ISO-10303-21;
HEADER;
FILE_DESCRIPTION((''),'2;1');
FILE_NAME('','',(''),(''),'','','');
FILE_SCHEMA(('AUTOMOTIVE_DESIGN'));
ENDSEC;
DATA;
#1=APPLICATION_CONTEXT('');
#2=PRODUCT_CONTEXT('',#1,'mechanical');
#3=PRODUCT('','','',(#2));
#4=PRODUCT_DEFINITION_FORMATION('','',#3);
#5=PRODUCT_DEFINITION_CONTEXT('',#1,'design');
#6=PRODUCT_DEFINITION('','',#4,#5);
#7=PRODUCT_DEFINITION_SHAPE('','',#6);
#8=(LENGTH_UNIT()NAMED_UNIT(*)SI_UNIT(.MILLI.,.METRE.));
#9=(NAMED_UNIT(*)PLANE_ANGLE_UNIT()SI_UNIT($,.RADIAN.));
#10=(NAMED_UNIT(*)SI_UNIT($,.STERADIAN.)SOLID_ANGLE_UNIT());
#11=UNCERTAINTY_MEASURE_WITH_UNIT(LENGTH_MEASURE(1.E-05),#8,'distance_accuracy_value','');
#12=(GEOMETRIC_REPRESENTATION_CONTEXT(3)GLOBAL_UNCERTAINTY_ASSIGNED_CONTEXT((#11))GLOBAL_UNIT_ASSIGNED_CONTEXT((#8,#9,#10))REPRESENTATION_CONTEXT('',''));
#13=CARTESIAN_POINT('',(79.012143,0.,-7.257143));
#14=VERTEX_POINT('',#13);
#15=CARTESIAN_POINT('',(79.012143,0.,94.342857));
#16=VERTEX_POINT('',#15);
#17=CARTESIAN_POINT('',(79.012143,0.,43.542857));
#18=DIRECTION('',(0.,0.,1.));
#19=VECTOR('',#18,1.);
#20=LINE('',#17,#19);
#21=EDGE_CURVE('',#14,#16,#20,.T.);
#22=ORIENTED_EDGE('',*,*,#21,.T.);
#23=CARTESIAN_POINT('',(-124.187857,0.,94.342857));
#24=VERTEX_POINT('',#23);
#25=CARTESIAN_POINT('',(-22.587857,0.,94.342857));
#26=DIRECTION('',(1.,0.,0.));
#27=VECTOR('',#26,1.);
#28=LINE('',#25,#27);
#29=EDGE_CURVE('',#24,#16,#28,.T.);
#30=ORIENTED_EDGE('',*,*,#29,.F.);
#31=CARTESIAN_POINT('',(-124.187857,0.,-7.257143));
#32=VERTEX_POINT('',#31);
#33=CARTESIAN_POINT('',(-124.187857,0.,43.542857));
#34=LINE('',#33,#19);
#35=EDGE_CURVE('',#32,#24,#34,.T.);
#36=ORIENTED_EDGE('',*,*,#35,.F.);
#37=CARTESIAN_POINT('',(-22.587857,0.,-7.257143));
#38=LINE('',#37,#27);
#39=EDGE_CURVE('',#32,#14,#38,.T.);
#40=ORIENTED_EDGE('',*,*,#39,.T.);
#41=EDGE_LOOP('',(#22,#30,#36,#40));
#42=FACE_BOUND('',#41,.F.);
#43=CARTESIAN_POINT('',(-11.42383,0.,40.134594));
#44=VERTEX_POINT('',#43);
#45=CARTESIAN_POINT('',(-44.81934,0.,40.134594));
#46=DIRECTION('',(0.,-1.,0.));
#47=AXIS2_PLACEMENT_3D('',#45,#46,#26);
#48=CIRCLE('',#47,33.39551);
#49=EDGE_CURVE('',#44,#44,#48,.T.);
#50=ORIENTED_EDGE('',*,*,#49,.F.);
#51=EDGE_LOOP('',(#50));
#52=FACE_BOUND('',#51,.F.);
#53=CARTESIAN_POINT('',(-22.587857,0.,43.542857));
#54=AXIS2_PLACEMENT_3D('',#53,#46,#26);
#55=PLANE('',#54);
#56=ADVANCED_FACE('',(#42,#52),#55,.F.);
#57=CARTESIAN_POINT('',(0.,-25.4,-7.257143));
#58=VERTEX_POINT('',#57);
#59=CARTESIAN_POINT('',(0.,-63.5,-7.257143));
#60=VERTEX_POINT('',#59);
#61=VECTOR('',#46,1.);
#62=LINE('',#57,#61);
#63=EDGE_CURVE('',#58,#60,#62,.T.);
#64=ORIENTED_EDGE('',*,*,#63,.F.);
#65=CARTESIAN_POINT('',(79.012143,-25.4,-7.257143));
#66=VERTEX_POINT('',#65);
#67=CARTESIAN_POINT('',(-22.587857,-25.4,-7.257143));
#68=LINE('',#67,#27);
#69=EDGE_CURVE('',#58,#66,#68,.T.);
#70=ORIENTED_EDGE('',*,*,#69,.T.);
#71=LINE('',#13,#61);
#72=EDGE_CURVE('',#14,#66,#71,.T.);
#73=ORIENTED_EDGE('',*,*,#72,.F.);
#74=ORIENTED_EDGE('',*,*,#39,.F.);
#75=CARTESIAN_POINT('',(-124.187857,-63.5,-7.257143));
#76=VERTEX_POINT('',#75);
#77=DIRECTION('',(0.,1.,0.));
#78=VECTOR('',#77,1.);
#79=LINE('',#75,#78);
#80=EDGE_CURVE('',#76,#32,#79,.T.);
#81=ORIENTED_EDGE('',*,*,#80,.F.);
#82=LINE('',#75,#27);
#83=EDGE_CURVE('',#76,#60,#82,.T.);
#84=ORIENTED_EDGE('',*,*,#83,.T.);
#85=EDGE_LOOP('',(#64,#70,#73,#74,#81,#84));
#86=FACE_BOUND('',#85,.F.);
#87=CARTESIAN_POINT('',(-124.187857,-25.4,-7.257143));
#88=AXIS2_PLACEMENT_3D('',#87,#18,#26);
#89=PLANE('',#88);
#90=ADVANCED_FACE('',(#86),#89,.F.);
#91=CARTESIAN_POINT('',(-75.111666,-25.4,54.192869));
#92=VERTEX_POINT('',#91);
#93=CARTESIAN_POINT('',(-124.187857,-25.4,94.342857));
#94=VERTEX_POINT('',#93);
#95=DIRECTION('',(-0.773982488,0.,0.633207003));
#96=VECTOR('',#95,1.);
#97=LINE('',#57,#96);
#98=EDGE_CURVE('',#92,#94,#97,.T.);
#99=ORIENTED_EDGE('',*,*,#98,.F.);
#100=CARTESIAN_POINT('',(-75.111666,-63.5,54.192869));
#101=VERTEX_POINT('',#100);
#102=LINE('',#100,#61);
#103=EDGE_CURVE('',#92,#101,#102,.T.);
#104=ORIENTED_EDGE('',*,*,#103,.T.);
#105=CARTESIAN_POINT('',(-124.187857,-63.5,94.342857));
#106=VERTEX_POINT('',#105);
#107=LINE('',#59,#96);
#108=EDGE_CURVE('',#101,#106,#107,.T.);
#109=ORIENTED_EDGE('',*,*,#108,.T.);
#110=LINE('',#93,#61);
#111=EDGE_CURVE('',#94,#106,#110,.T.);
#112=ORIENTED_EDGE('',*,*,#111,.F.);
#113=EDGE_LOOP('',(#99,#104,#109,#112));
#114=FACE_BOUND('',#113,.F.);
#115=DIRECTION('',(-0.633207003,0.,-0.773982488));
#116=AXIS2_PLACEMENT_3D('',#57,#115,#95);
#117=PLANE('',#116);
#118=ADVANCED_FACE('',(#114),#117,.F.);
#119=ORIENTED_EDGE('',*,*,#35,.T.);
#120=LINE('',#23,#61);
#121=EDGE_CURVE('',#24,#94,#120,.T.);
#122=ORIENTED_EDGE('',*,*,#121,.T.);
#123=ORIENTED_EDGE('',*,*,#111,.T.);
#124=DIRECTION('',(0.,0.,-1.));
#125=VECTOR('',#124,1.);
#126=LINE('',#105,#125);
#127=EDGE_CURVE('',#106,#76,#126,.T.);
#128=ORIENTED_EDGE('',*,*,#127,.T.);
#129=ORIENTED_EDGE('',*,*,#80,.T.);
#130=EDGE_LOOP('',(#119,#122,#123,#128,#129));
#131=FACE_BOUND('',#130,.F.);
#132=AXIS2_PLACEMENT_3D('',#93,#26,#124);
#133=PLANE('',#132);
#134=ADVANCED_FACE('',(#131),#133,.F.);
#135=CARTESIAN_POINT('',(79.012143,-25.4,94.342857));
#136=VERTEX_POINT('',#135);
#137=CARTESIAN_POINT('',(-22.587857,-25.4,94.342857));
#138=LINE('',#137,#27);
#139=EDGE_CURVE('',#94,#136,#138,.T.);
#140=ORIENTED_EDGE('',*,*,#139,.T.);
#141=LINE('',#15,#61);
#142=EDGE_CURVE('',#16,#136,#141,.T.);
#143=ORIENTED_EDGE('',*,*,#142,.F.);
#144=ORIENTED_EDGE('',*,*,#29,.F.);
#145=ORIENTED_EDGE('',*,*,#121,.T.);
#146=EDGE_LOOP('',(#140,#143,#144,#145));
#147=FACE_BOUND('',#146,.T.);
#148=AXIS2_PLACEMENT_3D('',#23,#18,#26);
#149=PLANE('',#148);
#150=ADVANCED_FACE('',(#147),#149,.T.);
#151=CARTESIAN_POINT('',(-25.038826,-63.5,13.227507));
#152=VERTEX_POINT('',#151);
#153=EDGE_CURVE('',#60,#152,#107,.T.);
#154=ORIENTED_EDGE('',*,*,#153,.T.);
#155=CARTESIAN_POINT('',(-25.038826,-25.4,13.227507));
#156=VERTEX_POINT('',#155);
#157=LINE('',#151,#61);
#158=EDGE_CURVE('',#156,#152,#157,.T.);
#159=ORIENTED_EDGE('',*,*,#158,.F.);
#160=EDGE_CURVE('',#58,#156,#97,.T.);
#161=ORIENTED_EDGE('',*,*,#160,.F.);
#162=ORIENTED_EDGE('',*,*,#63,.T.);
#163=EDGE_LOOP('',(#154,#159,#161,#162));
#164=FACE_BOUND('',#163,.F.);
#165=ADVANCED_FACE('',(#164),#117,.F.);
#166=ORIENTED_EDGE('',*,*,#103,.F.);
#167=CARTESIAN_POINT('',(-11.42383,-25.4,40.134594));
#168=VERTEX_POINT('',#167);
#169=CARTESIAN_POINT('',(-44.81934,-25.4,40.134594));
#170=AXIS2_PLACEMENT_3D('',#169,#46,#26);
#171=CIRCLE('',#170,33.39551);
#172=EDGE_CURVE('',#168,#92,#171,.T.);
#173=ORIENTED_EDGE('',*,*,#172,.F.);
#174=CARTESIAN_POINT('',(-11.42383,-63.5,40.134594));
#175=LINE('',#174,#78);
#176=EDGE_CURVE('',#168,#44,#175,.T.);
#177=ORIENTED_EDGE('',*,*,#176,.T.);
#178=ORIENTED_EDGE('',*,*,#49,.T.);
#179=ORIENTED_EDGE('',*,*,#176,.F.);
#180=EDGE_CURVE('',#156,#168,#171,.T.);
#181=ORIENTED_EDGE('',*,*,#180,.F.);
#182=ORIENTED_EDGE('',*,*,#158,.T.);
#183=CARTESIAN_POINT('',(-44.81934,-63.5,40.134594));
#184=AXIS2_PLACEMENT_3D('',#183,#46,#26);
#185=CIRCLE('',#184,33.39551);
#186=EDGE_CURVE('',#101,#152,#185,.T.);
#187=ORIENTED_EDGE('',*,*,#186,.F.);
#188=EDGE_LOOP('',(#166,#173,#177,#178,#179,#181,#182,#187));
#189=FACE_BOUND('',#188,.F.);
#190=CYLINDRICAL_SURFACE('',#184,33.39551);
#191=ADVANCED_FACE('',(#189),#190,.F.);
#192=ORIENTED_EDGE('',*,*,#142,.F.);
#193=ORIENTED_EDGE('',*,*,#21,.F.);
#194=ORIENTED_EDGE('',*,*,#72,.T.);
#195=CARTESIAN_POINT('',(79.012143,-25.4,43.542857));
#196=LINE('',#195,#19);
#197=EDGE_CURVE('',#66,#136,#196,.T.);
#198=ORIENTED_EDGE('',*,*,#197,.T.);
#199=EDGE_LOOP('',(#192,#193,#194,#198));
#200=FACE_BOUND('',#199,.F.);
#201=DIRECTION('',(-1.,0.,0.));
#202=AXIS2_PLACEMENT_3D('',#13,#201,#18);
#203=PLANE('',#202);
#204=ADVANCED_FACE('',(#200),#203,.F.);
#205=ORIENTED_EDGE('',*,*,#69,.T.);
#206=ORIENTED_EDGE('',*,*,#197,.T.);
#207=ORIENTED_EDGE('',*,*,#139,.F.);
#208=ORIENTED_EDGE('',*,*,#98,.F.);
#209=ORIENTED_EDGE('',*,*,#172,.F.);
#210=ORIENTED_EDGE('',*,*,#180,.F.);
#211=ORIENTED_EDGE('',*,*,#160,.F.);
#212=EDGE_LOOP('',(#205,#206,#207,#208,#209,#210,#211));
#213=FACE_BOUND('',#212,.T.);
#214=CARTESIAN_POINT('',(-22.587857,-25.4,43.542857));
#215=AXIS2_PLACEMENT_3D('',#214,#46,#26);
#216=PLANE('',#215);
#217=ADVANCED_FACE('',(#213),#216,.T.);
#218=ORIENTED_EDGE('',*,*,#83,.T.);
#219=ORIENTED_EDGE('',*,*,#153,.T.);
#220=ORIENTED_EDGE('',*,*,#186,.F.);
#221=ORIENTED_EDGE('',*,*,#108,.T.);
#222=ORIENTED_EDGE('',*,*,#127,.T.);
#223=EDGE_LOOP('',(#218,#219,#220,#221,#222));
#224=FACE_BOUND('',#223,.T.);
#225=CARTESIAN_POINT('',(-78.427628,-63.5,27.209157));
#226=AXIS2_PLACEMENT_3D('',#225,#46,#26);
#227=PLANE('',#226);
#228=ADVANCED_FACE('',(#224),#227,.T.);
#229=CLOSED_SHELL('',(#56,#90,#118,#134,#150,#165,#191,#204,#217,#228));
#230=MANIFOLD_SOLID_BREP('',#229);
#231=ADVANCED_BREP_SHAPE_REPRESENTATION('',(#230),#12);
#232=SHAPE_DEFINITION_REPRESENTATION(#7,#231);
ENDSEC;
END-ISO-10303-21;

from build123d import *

# Parameters (mm, degrees)
F0_W     = 203.2
F0_H     = 101.6
F1_DEPTH = 25.4
F3_DEPTH = 38.1
F4_R     = 33.39551
F5_DEPTH = 134.62


with BuildPart() as f1:
    # F0 (on Front) → F1 (new body)
    with BuildSketch(Plane.XZ):
        with Locations((-22.587857, 43.542857)):
            Rectangle(F0_W, F0_H)
    extrude(amount=F1_DEPTH)

    # F2 (on face) → F3 (join)
    with BuildSketch(Plane.XZ.offset(25.4)):
        Polygon((0, -7.257143), (-124.187857, 94.342857), (-124.187857, -7.257143), align=None)
    extrude(amount=F3_DEPTH)

    # F4 (on face) → F5 (cut)
    with BuildSketch(Plane.XZ.offset(63.5)):
        with Locations((-44.81934, 40.134594)):
            Circle(F4_R)
    extrude(amount=-F5_DEPTH, mode=Mode.SUBTRACT)


solid = f1.part
